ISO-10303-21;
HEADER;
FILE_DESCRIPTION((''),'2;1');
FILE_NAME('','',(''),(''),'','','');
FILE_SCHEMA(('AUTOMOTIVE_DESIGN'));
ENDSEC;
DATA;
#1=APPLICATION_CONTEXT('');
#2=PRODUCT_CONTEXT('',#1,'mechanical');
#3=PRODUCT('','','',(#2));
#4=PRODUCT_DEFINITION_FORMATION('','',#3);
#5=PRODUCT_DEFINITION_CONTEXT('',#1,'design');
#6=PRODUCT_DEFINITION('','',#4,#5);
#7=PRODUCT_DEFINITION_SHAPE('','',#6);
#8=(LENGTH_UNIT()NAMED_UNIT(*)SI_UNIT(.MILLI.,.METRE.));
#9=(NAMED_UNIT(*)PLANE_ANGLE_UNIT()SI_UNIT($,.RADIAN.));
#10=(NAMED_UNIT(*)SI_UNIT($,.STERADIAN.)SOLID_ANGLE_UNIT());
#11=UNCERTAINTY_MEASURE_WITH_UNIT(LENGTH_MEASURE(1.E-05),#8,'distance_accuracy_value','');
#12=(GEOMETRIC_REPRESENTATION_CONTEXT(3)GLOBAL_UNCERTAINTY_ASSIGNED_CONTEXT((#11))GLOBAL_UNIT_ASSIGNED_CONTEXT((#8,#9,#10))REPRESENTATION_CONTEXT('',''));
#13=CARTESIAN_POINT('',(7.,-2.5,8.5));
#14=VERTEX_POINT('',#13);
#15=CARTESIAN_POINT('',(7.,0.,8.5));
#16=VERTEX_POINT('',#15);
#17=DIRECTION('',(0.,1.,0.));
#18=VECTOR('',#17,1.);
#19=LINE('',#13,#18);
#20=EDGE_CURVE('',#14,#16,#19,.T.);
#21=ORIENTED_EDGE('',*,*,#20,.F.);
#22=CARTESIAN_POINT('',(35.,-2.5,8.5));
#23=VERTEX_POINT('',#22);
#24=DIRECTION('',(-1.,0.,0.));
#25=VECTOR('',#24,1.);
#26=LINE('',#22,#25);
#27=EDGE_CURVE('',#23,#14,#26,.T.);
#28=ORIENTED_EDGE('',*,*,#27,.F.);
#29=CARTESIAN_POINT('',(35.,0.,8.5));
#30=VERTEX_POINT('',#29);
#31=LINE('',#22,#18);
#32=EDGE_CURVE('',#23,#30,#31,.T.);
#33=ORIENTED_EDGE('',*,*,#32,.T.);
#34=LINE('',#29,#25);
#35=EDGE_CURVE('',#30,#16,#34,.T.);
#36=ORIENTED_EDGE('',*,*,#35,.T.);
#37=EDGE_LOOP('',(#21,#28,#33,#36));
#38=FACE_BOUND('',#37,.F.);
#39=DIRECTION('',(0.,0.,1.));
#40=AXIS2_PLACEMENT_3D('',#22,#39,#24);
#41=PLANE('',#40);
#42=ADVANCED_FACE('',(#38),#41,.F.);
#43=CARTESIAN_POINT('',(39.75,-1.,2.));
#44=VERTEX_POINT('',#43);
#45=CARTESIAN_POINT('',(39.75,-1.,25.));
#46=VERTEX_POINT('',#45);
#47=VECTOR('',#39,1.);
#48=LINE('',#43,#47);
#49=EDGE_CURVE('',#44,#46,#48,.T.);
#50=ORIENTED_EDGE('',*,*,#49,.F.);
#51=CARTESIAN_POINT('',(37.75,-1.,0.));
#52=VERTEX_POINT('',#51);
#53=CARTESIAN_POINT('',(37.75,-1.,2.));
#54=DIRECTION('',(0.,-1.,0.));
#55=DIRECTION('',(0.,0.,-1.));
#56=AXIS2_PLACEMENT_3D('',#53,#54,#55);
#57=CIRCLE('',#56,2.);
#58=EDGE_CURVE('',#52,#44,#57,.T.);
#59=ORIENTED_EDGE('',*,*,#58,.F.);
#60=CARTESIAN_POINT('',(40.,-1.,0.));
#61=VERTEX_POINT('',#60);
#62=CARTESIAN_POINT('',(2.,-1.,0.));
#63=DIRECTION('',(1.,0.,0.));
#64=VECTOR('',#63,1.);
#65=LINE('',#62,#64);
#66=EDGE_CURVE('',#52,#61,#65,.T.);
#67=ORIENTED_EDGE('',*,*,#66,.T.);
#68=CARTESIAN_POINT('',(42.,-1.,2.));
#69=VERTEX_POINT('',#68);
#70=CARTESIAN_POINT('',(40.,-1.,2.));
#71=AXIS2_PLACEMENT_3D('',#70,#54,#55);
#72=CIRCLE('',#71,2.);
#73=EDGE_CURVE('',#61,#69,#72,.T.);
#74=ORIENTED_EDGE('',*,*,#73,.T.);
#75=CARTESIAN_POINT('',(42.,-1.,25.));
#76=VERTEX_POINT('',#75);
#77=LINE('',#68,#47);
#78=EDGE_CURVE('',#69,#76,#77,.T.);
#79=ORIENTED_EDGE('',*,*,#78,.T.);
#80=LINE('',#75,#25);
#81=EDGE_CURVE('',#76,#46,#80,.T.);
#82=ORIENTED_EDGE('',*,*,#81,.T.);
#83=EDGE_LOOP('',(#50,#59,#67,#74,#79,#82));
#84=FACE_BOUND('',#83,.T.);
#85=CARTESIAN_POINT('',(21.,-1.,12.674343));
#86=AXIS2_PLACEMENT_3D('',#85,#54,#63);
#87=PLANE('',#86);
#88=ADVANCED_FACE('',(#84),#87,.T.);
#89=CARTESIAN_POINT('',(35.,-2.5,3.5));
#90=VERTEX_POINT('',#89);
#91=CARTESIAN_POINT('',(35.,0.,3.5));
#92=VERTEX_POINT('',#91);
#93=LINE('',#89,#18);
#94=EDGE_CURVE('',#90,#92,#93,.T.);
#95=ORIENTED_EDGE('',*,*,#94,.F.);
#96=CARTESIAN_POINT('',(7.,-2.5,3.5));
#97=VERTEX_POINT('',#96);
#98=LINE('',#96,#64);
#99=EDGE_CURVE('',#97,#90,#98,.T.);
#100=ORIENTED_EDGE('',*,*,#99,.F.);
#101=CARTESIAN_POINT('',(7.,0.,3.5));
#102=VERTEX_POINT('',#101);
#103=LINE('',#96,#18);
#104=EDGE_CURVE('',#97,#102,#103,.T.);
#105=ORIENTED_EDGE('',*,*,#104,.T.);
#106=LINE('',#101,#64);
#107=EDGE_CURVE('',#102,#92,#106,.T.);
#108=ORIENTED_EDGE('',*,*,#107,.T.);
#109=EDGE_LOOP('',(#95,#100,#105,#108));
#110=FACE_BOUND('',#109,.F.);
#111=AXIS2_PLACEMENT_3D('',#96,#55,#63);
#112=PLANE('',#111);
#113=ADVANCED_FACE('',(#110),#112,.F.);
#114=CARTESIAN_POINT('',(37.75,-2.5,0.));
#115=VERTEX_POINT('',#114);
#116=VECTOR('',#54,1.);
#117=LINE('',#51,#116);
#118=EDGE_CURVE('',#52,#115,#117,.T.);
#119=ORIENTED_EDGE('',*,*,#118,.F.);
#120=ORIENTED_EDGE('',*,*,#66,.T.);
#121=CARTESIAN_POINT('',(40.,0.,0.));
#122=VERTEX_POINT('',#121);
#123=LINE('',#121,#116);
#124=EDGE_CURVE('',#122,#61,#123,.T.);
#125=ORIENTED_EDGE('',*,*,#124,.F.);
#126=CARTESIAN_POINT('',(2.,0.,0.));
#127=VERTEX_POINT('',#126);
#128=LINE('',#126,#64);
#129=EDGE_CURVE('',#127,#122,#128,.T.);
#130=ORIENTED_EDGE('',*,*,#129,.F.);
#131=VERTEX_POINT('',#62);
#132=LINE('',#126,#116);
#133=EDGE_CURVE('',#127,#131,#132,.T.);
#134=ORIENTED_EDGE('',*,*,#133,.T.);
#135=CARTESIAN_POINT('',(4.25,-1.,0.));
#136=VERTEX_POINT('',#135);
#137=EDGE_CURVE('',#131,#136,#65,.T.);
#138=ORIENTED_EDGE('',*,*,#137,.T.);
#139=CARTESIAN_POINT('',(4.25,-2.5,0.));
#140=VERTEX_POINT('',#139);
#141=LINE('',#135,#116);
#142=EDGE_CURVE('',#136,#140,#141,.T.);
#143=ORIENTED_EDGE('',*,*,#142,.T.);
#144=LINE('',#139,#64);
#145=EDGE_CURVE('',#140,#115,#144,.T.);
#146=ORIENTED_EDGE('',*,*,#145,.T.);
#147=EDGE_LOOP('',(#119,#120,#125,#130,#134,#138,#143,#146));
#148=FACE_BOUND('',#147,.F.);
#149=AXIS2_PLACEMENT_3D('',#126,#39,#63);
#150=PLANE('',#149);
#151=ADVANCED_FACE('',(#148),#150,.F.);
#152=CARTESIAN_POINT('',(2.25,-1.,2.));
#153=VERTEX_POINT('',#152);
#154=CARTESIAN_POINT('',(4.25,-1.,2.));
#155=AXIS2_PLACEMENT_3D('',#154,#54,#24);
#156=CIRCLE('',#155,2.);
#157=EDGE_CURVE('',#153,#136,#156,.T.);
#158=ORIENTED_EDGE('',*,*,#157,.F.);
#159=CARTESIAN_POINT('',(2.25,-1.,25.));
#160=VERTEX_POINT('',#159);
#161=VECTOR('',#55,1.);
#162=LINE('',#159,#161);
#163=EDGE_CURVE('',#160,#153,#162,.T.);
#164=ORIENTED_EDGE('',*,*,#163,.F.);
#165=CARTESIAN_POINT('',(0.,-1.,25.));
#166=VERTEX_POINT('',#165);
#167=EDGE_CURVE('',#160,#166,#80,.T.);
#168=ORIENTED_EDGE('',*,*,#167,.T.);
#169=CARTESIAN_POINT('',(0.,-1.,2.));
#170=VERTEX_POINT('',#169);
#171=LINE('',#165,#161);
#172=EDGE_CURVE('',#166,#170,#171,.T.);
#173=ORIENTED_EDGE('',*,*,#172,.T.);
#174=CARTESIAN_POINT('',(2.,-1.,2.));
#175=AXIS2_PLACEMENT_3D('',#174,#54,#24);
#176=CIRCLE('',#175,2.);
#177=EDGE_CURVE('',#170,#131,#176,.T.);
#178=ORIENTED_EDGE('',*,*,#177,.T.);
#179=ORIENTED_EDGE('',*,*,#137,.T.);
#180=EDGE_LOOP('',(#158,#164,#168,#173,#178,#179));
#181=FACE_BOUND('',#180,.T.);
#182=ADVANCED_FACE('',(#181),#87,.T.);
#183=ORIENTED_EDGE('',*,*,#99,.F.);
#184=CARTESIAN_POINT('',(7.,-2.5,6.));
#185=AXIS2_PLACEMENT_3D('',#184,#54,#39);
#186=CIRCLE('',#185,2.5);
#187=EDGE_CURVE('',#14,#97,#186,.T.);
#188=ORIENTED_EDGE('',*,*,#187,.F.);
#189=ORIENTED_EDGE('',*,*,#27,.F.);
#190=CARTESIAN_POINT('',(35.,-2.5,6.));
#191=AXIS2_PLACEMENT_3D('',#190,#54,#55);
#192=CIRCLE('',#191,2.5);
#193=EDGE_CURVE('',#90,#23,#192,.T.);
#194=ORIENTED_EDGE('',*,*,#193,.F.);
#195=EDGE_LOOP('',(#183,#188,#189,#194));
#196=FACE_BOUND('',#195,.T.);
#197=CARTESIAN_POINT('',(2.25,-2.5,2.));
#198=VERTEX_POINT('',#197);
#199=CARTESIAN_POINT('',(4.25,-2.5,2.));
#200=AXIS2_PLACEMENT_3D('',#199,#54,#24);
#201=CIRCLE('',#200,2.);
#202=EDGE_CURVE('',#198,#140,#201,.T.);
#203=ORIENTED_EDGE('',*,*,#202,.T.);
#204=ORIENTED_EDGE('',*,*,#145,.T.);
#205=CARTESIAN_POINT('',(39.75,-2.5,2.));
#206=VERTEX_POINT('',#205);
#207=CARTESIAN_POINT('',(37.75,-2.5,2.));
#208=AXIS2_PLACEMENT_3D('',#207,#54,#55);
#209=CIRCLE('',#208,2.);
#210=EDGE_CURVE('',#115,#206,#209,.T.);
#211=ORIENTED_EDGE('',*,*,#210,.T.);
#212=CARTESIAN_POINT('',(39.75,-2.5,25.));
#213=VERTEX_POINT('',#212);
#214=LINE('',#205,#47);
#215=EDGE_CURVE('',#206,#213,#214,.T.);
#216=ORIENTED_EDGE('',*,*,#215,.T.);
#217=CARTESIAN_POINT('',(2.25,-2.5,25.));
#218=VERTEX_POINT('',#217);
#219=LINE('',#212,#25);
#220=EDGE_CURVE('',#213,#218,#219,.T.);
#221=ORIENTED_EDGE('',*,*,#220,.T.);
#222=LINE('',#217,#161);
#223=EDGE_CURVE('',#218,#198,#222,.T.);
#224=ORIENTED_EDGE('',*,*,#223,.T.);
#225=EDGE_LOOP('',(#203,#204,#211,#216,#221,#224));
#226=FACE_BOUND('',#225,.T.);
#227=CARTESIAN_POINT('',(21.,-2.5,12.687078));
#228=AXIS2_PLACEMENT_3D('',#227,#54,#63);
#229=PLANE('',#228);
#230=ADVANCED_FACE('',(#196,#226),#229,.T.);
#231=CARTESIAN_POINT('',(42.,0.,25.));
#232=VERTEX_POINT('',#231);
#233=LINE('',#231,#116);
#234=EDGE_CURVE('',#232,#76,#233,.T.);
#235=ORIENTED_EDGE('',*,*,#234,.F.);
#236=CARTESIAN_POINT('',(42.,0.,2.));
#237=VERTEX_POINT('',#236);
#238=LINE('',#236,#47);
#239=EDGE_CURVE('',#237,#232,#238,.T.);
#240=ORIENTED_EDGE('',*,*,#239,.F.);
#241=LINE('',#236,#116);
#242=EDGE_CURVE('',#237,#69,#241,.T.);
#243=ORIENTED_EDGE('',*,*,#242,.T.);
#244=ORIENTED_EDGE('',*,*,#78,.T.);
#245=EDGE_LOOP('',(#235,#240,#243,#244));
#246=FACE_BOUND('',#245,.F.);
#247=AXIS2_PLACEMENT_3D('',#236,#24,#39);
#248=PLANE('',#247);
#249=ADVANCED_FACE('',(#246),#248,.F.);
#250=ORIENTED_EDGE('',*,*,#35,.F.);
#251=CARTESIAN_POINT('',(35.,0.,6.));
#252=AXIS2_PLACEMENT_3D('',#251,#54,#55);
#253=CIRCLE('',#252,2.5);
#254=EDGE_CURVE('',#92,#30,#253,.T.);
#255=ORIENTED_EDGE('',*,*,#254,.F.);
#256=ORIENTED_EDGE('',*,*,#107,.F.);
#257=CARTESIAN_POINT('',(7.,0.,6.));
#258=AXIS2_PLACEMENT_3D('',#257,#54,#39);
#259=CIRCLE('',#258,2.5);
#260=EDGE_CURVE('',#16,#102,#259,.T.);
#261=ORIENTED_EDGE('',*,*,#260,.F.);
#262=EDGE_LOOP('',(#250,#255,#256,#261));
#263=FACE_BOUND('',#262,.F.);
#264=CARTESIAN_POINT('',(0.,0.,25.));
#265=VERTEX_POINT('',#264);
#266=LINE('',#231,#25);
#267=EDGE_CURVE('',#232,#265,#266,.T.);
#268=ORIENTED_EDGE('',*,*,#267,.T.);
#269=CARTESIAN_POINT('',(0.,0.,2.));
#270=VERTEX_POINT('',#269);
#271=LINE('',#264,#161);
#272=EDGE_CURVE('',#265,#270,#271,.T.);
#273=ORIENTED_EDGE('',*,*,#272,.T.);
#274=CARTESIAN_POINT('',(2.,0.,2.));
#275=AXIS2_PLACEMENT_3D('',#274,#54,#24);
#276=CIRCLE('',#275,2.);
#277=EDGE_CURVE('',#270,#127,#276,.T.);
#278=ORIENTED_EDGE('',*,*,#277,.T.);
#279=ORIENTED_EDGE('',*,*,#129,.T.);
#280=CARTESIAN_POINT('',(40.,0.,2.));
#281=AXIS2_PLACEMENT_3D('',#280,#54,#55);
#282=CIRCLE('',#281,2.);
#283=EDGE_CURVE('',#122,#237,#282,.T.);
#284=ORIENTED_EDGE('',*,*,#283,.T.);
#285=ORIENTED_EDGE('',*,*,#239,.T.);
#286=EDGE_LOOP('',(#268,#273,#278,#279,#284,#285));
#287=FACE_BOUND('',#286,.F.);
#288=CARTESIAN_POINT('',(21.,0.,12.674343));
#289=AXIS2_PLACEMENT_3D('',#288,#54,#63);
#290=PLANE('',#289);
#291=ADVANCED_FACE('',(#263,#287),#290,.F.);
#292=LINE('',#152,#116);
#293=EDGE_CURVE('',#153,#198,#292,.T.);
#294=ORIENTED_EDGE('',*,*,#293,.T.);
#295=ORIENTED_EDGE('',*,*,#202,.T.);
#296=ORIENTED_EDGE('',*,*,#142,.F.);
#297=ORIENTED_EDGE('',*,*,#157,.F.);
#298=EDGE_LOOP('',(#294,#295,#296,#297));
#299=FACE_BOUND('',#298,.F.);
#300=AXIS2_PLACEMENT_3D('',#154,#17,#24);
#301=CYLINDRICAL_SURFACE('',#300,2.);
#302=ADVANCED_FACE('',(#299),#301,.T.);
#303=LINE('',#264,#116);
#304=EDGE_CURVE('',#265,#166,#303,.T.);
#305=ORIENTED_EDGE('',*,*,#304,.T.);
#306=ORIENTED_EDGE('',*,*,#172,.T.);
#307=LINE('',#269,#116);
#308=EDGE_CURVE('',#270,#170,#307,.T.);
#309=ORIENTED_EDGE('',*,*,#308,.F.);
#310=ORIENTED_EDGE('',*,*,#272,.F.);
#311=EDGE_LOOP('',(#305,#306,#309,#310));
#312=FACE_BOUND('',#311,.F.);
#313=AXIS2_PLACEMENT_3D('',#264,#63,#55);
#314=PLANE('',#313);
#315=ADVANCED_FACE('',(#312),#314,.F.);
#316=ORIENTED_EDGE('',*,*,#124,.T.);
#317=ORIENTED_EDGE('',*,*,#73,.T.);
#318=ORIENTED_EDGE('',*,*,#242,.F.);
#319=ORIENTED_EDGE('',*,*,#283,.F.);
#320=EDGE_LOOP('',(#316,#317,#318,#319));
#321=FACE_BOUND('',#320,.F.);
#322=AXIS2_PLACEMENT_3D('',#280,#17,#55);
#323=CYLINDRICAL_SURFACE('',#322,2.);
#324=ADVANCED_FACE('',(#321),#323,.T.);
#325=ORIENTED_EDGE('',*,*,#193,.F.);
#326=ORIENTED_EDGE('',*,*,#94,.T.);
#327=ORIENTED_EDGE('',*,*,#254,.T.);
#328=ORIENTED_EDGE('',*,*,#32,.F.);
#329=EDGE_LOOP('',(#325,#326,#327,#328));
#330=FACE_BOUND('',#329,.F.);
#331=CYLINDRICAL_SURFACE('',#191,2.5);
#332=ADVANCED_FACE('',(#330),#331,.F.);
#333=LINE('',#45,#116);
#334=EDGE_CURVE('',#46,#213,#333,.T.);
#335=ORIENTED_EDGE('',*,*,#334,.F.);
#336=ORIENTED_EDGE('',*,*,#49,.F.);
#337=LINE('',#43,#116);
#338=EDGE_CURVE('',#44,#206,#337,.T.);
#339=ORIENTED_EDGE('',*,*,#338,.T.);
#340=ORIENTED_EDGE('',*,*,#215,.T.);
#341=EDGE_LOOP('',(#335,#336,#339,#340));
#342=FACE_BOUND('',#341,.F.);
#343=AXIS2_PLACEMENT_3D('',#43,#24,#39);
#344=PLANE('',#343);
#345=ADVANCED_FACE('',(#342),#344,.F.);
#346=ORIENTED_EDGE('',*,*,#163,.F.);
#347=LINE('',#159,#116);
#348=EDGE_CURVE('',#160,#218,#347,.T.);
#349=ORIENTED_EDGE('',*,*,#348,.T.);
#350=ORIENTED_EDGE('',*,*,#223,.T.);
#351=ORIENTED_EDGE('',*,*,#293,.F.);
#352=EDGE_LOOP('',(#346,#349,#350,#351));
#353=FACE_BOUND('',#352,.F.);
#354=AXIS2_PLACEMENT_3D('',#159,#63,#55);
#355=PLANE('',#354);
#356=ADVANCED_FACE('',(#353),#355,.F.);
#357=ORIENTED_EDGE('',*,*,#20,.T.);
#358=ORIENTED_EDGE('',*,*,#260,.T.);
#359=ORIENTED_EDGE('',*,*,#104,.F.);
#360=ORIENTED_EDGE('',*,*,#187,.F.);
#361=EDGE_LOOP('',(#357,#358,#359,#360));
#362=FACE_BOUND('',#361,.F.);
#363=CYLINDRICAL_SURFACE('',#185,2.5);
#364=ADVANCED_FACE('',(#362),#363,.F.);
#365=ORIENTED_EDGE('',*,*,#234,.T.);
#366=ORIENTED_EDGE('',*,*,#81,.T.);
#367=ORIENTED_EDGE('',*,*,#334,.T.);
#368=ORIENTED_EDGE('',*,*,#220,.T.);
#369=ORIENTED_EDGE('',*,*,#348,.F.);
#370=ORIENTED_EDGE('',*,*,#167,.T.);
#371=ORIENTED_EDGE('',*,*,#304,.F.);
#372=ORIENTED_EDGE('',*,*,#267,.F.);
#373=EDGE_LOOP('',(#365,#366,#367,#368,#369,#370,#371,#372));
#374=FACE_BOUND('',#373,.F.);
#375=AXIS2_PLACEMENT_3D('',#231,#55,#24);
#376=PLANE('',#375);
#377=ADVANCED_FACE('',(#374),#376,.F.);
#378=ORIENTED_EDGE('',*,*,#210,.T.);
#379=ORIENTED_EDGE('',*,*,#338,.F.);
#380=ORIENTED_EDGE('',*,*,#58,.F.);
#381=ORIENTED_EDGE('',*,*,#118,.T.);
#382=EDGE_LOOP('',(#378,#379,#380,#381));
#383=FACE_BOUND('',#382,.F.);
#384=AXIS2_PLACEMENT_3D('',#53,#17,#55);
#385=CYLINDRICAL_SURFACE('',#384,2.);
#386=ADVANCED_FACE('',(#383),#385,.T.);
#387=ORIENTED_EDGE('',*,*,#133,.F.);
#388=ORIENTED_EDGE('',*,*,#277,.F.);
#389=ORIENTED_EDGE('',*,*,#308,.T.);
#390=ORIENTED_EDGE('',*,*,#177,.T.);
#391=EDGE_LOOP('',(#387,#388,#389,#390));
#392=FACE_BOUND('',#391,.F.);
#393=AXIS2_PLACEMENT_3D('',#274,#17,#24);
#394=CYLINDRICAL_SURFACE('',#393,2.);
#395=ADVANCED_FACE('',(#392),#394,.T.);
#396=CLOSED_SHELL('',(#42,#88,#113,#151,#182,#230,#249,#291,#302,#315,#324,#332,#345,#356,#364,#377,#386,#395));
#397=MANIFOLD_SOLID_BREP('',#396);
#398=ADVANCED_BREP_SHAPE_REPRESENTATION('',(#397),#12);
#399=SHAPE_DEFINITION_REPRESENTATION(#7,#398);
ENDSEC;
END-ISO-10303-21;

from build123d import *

# Parameters (mm, degrees)
F1_DEPTH = 1
F3_DEPTH = 1.5
F5_DEPTH = 2.5


with BuildPart() as f1:
    # F0 (on Front) → F1 (new body)
    with BuildSketch(Plane.XZ):
        with BuildLine():
            ThreePointArc((0, 2), (0.5857864376, 0.5857864376), (2, 0))
            Line((2, 0), (40, 0))
            ThreePointArc((40, 0), (41.4142135624, 0.5857864376), (42, 2))
            Line((42, 2), (42, 25))
            Line((42, 25), (0, 25))
            Line((0, 25), (0, 2))
        make_face()
    extrude(amount=F1_DEPTH)

    # F2 (on face) → F3 (join)
    with BuildSketch(Plane.XZ.offset(1)):
        with BuildLine():
            Line((39.75, 25), (2.25, 25))
            Line((2.25, 25), (2.25, 2))
            ThreePointArc((2.25, 2), (2.8357864376, 0.5857864376), (4.25, 0))
            Line((4.25, 0), (37.75, 0))
            ThreePointArc((37.75, 0), (39.1642135624, 0.5857864376), (39.75, 2))
            Line((39.75, 2), (39.75, 25))
        make_face()
    extrude(amount=F3_DEPTH)

    # F4 (on face) → F5 (cut, through all)
    with BuildSketch(Plane.XZ.offset(2.5)):
        with BuildLine():
            Line((35, 8.5), (7, 8.5))
            ThreePointArc((7, 8.5), (4.5, 6), (7, 3.5))
            Line((7, 3.5), (35, 3.5))
            ThreePointArc((35, 3.5), (37.5, 6), (35, 8.5))
        make_face()
    extrude(amount=-F5_DEPTH, mode=Mode.SUBTRACT)


solid = f1.part
